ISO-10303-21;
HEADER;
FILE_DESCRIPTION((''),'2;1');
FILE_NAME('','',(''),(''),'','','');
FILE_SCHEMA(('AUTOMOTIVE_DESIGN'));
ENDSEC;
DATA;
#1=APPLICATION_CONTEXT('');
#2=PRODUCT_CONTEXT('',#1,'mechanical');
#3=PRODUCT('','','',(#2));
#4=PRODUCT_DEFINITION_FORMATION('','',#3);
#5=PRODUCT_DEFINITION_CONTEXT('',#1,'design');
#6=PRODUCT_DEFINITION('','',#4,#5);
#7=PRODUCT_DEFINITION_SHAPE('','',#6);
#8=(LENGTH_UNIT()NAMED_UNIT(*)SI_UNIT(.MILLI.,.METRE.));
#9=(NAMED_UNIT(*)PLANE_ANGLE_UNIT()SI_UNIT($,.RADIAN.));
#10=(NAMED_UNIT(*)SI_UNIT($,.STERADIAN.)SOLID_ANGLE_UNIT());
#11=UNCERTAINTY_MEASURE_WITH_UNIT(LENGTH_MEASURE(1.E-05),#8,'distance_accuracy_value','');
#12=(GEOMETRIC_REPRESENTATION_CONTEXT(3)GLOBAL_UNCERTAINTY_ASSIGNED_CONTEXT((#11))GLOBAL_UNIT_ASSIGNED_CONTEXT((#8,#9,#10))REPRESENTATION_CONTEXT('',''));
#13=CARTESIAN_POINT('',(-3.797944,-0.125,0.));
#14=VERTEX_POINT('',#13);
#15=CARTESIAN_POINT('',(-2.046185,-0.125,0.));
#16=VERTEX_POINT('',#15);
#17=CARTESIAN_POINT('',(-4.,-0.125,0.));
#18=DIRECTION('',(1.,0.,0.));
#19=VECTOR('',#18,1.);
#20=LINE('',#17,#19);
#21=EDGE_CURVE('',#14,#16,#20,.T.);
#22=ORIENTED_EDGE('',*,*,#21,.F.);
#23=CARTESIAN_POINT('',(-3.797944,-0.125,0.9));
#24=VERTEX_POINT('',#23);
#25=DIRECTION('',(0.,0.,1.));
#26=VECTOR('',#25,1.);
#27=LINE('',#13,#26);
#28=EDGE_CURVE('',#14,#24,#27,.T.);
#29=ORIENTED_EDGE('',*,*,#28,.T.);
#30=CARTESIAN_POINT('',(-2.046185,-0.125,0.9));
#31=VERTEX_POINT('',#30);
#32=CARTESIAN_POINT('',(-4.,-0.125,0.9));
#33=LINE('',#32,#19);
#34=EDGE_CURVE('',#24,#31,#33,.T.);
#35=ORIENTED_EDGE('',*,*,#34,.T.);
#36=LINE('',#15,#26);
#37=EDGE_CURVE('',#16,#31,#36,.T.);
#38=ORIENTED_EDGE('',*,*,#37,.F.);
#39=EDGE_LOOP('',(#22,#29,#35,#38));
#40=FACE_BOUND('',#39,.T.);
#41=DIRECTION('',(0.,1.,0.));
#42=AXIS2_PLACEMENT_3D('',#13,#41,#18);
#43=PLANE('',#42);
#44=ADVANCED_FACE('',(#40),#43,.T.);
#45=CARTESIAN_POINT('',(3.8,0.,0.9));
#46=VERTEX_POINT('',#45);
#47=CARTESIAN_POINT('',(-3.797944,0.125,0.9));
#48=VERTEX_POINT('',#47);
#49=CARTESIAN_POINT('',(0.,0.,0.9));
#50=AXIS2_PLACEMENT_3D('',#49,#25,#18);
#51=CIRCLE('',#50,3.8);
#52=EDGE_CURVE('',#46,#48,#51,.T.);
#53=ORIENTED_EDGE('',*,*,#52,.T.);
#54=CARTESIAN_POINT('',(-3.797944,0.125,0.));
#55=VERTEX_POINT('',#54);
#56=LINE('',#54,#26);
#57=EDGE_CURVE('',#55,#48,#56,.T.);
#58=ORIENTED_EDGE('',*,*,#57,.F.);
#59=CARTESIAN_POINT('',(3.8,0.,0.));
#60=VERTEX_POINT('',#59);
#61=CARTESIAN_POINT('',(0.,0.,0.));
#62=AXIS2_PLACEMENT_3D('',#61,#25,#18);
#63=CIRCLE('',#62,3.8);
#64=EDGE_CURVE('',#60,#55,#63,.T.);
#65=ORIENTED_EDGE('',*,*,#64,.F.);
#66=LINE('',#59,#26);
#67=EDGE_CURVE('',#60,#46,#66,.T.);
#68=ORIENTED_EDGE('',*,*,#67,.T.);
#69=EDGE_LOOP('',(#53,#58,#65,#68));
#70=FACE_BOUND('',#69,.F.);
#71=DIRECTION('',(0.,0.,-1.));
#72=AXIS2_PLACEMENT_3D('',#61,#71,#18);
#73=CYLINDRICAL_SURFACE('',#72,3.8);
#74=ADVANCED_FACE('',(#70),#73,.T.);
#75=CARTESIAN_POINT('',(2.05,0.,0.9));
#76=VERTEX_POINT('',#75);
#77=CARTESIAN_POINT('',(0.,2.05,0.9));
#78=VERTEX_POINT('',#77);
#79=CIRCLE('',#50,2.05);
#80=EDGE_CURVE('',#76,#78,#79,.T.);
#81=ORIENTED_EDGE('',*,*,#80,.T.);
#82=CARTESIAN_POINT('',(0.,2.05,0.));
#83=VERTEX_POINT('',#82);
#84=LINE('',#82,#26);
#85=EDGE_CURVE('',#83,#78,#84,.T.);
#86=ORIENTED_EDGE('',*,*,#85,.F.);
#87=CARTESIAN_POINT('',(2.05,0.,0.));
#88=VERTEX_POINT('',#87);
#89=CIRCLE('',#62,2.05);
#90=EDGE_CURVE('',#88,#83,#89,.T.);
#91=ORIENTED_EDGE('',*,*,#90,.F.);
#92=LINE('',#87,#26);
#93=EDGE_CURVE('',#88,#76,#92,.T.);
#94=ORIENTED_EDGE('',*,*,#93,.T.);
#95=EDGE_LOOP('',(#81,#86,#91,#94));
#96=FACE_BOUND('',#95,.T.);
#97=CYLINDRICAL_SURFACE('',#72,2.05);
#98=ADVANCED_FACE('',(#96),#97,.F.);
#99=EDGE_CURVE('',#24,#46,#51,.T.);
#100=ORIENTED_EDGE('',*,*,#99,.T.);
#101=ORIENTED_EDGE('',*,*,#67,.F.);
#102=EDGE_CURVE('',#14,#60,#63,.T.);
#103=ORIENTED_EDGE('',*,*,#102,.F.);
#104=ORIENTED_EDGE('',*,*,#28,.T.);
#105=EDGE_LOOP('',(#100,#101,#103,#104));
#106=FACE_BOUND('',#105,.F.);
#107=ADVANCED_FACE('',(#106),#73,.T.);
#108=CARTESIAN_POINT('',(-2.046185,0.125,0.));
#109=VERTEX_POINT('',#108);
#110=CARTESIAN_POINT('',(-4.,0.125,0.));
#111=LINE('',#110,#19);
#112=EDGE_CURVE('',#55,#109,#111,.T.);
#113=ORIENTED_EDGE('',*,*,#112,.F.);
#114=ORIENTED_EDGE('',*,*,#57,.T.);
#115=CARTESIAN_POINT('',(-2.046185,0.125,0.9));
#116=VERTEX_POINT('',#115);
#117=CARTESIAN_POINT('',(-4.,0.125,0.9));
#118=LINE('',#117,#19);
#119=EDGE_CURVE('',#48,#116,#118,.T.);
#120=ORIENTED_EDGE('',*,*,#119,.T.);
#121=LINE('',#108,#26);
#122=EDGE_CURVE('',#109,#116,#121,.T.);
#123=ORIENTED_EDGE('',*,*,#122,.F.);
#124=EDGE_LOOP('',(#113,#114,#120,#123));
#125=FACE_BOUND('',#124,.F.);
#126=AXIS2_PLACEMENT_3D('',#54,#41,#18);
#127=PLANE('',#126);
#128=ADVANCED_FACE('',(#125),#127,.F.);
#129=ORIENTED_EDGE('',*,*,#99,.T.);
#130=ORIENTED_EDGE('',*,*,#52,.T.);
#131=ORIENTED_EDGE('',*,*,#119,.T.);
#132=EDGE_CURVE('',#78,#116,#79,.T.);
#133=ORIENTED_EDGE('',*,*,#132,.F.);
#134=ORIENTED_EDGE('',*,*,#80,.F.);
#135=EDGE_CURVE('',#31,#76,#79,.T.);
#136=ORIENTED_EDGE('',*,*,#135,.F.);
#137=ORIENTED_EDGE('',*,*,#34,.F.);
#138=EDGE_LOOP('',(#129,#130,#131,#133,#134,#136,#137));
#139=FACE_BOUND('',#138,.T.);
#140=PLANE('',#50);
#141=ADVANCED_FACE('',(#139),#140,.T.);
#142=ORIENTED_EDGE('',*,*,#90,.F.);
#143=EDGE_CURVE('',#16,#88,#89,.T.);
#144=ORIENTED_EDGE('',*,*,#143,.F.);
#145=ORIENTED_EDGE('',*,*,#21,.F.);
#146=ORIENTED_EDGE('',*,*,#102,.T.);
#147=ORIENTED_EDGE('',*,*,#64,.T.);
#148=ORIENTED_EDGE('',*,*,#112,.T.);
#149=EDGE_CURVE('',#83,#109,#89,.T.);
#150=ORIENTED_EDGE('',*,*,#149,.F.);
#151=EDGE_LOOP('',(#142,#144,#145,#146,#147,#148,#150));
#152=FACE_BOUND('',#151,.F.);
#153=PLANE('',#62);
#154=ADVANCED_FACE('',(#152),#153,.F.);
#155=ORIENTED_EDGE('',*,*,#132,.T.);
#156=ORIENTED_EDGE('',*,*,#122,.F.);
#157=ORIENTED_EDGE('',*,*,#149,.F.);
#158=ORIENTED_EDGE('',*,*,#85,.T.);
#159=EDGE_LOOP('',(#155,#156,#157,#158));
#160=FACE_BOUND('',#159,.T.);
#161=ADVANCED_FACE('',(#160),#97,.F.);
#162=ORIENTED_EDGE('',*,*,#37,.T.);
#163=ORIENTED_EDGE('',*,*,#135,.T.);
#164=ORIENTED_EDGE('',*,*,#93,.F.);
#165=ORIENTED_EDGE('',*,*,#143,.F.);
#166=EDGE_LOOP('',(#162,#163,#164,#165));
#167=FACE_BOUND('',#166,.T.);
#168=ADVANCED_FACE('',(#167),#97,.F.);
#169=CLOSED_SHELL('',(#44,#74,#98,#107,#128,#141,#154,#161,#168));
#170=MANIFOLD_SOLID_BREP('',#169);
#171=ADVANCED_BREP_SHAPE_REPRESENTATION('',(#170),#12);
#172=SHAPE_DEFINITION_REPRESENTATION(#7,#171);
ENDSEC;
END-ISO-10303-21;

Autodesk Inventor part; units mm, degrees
ref_plane "YZ Plane" through (0, 0, 0) normal (1, 0, 0) x (0, 1, 0)
ref_plane "XZ Plane" through (0, 0, 0) normal (0, 1, 0) x (-1, 0, 0)
ref_plane "XY Plane" through (0, 0, 0) normal (0, 0, 1) x (1, 0, 0)
sketch "Sketch1" plane through (0, 0, 0) normal (0, 0, 1) x (1, 0, 0)
  circle A0 centre (0, 0) radius 2.05
  circle A1 centre (0, 0) radius 3.8
  line L0 (-4, 0.125) -> (-4, -0.125)
  line L1 (-4, -0.125) -> (0, -0.125)
  line L2 (0, -0.125) -> (0, 2.952)
  line L3 (-4, 0.125) -> (1.123, 0.125)
  point P0 (-3.7979, 0.125)
  point P1 (-2.0462, 0.125)
  point P2 (-2.0462, -0.125)
  point P3 (-3.7979, -0.125)
  dimension "d0" = 4.1
  dimension "d1" = 7.6
  dimension "d2" = 0.125
  dimension "d4" = 0.125
extrude "Extrusion1" add sketch "Sketch1" along normal blind 0.9 contours A0 L3 A1 L1 picked at (3.1615, -0.4604)
properties part number "Arandela Grower M4 - DMI"
